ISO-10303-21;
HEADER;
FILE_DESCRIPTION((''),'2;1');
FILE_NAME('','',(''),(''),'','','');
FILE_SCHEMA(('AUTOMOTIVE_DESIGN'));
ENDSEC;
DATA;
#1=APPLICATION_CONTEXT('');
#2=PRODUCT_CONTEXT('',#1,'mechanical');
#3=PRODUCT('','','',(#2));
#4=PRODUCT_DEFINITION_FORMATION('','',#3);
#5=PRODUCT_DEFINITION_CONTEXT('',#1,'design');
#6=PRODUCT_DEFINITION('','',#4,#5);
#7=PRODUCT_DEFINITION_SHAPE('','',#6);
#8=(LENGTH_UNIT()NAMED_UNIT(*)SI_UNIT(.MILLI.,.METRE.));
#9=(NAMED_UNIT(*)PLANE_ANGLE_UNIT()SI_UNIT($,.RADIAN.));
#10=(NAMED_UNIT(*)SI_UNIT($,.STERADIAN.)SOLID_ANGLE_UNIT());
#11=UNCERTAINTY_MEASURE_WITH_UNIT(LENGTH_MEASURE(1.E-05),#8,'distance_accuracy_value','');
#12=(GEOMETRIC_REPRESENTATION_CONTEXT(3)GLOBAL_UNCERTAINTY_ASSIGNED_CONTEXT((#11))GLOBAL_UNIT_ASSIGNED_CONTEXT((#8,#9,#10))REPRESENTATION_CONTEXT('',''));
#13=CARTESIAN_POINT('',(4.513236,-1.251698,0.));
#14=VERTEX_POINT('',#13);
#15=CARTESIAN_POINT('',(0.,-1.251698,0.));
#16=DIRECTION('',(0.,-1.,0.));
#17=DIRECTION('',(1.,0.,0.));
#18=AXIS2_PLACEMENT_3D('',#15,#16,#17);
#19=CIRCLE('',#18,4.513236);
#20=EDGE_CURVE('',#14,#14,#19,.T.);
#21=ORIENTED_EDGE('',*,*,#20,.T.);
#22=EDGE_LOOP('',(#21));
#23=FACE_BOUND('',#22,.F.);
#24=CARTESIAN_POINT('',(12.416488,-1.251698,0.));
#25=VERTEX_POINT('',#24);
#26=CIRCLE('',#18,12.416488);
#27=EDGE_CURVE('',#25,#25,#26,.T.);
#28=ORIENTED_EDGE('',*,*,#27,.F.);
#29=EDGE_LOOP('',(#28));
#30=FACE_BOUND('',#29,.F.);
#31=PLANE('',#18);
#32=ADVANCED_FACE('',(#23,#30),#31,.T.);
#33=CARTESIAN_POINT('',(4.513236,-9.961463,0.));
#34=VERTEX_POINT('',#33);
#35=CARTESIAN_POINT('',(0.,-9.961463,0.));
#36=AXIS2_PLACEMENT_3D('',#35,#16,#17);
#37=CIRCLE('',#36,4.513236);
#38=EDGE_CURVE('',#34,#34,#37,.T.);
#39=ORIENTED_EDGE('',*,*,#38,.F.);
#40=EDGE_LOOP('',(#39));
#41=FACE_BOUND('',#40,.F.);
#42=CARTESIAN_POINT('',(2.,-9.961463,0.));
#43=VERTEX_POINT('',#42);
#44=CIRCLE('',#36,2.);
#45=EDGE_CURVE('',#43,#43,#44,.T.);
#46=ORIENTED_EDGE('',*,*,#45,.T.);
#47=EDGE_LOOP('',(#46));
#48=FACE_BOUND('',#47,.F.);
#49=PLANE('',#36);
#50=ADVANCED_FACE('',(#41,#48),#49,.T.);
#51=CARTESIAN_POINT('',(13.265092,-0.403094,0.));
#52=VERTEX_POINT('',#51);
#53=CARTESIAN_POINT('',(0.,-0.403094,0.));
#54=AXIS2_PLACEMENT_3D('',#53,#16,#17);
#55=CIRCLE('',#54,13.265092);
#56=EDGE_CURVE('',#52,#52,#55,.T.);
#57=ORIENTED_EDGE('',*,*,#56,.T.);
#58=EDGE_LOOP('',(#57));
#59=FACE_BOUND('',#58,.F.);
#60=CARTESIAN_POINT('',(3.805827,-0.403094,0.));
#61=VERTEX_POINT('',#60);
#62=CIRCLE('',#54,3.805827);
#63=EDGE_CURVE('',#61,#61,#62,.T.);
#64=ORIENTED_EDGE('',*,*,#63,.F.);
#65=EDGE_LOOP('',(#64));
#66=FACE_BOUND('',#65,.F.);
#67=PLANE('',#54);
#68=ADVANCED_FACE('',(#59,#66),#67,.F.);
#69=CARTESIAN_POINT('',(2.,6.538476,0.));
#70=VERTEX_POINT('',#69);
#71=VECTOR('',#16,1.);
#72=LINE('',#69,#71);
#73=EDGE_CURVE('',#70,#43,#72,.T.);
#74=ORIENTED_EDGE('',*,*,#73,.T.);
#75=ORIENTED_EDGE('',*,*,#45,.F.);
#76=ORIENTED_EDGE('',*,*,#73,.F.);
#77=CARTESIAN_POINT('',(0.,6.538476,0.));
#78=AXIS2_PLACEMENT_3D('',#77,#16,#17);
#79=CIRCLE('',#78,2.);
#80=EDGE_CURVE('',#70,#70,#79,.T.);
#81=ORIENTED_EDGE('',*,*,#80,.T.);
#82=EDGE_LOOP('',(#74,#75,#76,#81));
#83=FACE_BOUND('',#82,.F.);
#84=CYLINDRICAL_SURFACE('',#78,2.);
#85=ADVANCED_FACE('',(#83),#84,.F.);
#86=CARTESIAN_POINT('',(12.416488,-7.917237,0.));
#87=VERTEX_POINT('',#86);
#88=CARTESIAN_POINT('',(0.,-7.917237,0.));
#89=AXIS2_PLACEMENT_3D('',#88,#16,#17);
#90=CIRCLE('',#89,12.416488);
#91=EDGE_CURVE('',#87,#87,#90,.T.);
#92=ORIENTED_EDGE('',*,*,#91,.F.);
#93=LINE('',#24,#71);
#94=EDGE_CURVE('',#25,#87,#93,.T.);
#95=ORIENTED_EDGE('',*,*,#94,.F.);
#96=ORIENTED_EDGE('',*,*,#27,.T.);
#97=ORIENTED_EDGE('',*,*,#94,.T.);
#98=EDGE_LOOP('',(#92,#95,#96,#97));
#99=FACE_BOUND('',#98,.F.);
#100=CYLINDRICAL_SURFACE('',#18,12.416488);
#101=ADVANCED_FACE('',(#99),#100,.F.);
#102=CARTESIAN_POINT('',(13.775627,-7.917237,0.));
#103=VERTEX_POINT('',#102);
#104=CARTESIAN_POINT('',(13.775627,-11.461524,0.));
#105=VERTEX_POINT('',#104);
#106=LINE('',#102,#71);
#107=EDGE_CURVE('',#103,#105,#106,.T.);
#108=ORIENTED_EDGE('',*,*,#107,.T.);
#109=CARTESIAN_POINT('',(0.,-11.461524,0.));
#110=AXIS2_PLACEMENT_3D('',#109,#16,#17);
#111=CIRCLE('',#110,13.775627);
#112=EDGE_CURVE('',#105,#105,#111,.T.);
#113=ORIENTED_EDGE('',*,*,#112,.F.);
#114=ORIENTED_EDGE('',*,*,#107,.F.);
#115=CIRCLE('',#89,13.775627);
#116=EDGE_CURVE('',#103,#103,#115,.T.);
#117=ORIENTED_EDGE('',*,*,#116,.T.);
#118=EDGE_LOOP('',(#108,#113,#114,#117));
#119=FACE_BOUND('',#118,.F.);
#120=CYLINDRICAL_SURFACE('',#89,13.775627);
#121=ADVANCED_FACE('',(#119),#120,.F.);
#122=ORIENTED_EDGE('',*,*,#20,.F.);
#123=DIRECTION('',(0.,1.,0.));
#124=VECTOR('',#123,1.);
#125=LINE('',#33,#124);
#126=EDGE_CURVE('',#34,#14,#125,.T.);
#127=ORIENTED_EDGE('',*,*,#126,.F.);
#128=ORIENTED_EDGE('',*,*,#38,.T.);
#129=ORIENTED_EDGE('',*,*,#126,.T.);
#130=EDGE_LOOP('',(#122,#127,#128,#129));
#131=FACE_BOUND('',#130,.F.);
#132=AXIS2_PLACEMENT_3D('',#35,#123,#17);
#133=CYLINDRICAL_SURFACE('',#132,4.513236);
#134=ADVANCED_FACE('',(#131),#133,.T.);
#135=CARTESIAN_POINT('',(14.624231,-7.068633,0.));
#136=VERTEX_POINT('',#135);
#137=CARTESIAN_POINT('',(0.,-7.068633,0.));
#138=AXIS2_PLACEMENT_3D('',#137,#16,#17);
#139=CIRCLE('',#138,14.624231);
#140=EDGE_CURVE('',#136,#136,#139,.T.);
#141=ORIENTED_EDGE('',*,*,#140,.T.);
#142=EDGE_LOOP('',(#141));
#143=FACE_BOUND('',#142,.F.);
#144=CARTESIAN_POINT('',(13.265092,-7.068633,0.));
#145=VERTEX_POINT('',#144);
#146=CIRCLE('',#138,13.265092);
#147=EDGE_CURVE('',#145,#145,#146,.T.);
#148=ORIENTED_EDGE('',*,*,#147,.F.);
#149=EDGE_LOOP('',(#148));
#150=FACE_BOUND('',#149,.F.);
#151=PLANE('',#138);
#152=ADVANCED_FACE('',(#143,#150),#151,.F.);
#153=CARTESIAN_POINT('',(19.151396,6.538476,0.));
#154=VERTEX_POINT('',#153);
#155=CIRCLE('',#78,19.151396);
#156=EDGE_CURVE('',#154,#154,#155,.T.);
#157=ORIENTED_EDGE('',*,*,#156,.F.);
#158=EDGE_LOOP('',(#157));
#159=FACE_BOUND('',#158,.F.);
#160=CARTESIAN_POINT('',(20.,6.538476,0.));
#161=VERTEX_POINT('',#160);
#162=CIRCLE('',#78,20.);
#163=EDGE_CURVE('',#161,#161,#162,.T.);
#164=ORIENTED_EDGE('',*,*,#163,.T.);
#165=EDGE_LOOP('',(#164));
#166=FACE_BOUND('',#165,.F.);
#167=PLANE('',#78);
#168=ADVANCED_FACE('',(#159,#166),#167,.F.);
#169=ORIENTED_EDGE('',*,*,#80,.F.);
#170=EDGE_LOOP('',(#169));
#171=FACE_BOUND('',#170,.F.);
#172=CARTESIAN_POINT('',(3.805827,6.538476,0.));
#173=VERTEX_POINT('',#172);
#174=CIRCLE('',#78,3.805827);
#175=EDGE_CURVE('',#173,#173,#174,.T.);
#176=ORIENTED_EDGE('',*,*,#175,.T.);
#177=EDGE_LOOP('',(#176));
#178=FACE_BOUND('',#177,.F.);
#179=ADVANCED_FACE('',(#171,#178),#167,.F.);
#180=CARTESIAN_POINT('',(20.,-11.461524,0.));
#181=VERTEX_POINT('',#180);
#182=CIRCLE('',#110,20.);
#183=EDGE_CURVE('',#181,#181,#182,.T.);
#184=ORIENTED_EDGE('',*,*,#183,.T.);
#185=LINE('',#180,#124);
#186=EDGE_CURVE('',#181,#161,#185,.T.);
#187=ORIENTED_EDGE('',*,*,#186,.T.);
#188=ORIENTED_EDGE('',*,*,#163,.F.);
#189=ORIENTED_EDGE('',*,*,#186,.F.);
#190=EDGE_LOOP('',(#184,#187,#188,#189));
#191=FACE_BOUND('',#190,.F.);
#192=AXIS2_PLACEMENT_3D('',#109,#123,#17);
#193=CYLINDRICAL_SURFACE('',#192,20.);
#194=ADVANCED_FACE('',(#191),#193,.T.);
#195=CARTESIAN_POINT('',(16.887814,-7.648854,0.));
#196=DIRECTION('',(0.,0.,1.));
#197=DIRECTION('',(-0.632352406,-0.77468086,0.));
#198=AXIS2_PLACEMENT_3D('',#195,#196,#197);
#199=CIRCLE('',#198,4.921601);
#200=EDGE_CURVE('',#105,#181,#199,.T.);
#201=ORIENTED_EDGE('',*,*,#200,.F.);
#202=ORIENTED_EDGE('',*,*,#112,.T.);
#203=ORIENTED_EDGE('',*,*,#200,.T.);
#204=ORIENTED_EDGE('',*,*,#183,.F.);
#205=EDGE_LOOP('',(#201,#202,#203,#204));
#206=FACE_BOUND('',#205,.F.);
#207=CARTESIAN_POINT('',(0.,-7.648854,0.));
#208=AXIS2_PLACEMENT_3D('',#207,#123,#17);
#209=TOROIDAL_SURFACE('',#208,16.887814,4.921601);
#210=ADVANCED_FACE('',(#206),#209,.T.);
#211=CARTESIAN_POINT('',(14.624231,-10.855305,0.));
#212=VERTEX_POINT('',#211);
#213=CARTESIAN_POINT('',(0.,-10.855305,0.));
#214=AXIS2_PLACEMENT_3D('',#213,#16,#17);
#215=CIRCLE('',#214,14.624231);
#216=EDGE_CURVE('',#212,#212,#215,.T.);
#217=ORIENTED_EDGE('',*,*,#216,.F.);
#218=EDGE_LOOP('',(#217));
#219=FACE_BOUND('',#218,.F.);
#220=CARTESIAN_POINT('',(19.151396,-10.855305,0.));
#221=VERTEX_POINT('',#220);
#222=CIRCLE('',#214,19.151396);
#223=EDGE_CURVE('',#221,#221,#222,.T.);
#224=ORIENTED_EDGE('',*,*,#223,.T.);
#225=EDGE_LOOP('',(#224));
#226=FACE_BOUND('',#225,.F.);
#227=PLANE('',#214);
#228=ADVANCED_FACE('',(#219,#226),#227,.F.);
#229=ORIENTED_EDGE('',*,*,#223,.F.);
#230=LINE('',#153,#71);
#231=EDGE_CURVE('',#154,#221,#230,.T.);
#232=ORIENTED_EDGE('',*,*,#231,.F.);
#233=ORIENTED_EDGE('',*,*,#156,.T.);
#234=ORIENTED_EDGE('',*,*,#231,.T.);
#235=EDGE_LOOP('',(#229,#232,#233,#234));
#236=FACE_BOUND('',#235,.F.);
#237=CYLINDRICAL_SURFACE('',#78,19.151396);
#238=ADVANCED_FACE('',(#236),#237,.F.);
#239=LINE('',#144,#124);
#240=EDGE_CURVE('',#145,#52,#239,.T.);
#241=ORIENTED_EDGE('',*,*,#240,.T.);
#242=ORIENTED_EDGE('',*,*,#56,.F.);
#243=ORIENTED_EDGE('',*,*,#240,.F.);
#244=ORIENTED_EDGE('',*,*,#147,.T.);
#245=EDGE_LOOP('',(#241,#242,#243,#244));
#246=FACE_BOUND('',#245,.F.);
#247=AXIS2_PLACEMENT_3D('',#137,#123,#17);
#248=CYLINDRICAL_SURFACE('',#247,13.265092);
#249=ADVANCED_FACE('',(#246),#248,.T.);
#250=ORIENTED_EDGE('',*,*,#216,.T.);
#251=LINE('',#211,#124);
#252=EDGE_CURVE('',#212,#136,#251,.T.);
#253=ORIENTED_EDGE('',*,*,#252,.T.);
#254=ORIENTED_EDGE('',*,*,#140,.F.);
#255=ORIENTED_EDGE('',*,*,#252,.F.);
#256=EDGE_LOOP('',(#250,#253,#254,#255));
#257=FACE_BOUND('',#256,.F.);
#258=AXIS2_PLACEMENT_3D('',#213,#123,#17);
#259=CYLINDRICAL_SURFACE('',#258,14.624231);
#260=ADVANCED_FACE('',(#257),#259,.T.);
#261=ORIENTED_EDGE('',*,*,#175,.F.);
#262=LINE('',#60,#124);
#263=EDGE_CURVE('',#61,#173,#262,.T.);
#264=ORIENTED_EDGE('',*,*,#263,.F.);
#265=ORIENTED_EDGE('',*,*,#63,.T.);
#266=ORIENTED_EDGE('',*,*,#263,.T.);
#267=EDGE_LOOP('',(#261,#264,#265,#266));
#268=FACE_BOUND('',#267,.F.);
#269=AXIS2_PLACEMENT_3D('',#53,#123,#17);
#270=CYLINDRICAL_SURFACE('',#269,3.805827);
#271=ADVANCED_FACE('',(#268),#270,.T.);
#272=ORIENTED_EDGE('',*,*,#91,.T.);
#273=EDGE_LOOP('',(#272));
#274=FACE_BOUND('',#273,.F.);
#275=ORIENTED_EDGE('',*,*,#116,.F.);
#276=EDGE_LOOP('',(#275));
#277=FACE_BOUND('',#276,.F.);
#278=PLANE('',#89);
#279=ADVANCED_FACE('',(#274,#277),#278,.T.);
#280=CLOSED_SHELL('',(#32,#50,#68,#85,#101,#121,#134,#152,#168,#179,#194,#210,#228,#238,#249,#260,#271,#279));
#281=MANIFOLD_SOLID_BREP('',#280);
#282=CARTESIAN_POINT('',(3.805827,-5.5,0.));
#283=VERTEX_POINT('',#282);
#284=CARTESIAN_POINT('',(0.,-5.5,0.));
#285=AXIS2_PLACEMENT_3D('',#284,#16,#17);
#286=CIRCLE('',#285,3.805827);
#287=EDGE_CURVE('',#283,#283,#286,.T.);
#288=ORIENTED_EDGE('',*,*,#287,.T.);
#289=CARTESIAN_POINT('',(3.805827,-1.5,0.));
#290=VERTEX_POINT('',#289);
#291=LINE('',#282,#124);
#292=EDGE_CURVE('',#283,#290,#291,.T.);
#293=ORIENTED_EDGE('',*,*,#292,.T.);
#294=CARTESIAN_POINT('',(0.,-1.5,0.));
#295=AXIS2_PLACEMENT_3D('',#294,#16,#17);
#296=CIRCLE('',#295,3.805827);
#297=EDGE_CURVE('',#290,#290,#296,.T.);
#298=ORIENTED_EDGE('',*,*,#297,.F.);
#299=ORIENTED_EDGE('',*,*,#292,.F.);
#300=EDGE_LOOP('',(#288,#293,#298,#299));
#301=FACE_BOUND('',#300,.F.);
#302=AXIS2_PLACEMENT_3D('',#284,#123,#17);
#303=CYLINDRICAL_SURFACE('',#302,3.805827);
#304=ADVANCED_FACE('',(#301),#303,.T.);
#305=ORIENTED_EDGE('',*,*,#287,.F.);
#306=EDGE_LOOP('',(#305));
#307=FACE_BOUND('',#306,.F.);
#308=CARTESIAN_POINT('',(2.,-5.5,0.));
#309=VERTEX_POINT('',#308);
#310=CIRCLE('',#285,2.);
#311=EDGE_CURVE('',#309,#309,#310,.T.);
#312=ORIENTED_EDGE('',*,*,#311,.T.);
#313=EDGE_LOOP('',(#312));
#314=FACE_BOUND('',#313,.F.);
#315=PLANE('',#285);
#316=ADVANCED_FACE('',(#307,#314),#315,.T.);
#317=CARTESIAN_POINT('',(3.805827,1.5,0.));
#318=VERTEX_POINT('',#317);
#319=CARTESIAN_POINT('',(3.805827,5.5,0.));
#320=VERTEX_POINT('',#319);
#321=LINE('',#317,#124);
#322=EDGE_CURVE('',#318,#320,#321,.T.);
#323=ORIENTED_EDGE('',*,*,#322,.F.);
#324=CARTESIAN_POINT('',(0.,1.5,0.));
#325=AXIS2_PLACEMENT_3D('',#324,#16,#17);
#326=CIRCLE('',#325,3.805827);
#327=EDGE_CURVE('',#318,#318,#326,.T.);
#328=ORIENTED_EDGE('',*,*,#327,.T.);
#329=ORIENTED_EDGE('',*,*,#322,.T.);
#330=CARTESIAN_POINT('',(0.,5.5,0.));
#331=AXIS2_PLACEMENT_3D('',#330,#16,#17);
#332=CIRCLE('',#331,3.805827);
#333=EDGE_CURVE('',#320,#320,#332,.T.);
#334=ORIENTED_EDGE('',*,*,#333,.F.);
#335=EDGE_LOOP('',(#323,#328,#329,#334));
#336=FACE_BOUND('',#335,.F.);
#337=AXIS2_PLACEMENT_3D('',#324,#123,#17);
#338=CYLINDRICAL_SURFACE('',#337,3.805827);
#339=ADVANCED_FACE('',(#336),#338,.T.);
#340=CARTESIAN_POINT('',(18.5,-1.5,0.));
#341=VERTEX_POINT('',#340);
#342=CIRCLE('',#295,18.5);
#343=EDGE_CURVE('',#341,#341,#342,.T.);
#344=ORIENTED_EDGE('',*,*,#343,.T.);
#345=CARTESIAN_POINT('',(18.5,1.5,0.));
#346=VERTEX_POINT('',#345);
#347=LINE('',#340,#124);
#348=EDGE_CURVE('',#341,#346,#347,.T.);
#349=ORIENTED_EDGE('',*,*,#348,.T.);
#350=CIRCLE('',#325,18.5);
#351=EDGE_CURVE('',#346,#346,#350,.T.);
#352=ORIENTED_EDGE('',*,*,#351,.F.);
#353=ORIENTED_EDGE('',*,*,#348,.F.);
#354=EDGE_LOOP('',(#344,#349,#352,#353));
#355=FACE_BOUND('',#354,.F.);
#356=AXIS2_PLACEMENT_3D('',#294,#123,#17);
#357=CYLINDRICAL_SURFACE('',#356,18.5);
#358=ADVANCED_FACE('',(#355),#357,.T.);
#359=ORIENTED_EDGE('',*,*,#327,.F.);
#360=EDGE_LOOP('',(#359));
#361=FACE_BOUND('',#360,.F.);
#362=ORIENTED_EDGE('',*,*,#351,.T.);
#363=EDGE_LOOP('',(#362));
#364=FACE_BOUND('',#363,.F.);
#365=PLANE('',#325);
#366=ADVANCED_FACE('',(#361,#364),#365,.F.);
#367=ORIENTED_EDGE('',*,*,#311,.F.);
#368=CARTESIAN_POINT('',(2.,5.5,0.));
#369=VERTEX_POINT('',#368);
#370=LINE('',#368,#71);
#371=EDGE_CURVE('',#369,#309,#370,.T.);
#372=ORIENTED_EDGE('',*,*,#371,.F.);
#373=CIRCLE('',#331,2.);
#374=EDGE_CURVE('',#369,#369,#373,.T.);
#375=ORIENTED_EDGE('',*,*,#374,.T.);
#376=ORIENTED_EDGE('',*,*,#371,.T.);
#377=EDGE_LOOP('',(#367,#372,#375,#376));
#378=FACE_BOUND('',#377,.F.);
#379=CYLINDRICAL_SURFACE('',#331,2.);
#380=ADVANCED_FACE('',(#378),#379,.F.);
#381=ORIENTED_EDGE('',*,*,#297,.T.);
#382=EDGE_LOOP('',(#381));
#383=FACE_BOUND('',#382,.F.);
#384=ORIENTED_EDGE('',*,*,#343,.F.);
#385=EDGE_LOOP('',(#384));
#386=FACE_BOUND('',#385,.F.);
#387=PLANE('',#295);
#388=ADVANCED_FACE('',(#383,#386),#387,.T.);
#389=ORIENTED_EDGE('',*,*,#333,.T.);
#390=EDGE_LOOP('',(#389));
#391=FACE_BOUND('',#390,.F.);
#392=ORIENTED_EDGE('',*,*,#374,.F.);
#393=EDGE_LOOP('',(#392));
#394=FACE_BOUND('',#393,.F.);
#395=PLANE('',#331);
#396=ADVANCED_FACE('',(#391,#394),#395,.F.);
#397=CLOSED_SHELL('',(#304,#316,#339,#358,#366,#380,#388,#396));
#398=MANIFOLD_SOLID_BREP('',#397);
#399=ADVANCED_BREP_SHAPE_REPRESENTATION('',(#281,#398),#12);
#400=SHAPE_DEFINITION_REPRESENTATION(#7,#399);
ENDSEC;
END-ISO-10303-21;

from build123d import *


with BuildPart() as f1:
    # F0 (on Top) → F1 (revolve)
    with BuildSketch(Plane.XY):
        with BuildLine():
            Line((3.805827, 6.538476), (2, 6.538476))
            Line((2, 6.538476), (2, -9.961463))
            Line((2, -9.961463), (4.513236, -9.961463))
            Line((4.513236, -9.961463), (4.513236, -1.251698))
            Line((4.513236, -1.251698), (12.416488, -1.251698))
            Line((12.416488, -1.251698), (12.416488, -7.917237))
            Line((12.416488, -7.917237), (13.775627, -7.917237))
            Line((13.775627, -7.917237), (13.775627, -11.461524))
            ThreePointArc((13.775627, -11.461524), (16.887813, -12.570455), (20, -11.461524))
            Line((20, -11.461524), (20, 6.538476))
            Line((20, 6.538476), (19.151396, 6.538476))
            Line((19.151396, 6.538476), (19.151396, -10.855305))
            Line((19.151396, -10.855305), (14.624231, -10.855305))
            Line((14.624231, -10.855305), (14.624231, -7.068633))
            Line((14.624231, -7.068633), (13.265092, -7.068633))
            Line((13.265092, -7.068633), (13.265092, -0.403094))
            Line((13.265092, -0.403094), (3.805827, -0.403094))
            Line((3.805827, -0.403094), (3.805827, 6.538476))
        make_face()
    revolve(axis=Axis((0, -1.518788, 0), (0, -1, 0)))


with BuildPart() as f3:
    # F2 (on Top) → F3 (revolve)
    with BuildSketch(Plane.XY):
        Polygon((3.805827, 5.5), (2, 5.5), (2, -5.5), (3.805827, -5.5), (3.805827, -1.5), (18.5, -1.5), (18.5, 1.5), (3.805827, 1.5), align=None)
    revolve(axis=Axis((0, -1.518788, 0), (0, -1, 0)))


solid = Compound([f1.part, f3.part])
